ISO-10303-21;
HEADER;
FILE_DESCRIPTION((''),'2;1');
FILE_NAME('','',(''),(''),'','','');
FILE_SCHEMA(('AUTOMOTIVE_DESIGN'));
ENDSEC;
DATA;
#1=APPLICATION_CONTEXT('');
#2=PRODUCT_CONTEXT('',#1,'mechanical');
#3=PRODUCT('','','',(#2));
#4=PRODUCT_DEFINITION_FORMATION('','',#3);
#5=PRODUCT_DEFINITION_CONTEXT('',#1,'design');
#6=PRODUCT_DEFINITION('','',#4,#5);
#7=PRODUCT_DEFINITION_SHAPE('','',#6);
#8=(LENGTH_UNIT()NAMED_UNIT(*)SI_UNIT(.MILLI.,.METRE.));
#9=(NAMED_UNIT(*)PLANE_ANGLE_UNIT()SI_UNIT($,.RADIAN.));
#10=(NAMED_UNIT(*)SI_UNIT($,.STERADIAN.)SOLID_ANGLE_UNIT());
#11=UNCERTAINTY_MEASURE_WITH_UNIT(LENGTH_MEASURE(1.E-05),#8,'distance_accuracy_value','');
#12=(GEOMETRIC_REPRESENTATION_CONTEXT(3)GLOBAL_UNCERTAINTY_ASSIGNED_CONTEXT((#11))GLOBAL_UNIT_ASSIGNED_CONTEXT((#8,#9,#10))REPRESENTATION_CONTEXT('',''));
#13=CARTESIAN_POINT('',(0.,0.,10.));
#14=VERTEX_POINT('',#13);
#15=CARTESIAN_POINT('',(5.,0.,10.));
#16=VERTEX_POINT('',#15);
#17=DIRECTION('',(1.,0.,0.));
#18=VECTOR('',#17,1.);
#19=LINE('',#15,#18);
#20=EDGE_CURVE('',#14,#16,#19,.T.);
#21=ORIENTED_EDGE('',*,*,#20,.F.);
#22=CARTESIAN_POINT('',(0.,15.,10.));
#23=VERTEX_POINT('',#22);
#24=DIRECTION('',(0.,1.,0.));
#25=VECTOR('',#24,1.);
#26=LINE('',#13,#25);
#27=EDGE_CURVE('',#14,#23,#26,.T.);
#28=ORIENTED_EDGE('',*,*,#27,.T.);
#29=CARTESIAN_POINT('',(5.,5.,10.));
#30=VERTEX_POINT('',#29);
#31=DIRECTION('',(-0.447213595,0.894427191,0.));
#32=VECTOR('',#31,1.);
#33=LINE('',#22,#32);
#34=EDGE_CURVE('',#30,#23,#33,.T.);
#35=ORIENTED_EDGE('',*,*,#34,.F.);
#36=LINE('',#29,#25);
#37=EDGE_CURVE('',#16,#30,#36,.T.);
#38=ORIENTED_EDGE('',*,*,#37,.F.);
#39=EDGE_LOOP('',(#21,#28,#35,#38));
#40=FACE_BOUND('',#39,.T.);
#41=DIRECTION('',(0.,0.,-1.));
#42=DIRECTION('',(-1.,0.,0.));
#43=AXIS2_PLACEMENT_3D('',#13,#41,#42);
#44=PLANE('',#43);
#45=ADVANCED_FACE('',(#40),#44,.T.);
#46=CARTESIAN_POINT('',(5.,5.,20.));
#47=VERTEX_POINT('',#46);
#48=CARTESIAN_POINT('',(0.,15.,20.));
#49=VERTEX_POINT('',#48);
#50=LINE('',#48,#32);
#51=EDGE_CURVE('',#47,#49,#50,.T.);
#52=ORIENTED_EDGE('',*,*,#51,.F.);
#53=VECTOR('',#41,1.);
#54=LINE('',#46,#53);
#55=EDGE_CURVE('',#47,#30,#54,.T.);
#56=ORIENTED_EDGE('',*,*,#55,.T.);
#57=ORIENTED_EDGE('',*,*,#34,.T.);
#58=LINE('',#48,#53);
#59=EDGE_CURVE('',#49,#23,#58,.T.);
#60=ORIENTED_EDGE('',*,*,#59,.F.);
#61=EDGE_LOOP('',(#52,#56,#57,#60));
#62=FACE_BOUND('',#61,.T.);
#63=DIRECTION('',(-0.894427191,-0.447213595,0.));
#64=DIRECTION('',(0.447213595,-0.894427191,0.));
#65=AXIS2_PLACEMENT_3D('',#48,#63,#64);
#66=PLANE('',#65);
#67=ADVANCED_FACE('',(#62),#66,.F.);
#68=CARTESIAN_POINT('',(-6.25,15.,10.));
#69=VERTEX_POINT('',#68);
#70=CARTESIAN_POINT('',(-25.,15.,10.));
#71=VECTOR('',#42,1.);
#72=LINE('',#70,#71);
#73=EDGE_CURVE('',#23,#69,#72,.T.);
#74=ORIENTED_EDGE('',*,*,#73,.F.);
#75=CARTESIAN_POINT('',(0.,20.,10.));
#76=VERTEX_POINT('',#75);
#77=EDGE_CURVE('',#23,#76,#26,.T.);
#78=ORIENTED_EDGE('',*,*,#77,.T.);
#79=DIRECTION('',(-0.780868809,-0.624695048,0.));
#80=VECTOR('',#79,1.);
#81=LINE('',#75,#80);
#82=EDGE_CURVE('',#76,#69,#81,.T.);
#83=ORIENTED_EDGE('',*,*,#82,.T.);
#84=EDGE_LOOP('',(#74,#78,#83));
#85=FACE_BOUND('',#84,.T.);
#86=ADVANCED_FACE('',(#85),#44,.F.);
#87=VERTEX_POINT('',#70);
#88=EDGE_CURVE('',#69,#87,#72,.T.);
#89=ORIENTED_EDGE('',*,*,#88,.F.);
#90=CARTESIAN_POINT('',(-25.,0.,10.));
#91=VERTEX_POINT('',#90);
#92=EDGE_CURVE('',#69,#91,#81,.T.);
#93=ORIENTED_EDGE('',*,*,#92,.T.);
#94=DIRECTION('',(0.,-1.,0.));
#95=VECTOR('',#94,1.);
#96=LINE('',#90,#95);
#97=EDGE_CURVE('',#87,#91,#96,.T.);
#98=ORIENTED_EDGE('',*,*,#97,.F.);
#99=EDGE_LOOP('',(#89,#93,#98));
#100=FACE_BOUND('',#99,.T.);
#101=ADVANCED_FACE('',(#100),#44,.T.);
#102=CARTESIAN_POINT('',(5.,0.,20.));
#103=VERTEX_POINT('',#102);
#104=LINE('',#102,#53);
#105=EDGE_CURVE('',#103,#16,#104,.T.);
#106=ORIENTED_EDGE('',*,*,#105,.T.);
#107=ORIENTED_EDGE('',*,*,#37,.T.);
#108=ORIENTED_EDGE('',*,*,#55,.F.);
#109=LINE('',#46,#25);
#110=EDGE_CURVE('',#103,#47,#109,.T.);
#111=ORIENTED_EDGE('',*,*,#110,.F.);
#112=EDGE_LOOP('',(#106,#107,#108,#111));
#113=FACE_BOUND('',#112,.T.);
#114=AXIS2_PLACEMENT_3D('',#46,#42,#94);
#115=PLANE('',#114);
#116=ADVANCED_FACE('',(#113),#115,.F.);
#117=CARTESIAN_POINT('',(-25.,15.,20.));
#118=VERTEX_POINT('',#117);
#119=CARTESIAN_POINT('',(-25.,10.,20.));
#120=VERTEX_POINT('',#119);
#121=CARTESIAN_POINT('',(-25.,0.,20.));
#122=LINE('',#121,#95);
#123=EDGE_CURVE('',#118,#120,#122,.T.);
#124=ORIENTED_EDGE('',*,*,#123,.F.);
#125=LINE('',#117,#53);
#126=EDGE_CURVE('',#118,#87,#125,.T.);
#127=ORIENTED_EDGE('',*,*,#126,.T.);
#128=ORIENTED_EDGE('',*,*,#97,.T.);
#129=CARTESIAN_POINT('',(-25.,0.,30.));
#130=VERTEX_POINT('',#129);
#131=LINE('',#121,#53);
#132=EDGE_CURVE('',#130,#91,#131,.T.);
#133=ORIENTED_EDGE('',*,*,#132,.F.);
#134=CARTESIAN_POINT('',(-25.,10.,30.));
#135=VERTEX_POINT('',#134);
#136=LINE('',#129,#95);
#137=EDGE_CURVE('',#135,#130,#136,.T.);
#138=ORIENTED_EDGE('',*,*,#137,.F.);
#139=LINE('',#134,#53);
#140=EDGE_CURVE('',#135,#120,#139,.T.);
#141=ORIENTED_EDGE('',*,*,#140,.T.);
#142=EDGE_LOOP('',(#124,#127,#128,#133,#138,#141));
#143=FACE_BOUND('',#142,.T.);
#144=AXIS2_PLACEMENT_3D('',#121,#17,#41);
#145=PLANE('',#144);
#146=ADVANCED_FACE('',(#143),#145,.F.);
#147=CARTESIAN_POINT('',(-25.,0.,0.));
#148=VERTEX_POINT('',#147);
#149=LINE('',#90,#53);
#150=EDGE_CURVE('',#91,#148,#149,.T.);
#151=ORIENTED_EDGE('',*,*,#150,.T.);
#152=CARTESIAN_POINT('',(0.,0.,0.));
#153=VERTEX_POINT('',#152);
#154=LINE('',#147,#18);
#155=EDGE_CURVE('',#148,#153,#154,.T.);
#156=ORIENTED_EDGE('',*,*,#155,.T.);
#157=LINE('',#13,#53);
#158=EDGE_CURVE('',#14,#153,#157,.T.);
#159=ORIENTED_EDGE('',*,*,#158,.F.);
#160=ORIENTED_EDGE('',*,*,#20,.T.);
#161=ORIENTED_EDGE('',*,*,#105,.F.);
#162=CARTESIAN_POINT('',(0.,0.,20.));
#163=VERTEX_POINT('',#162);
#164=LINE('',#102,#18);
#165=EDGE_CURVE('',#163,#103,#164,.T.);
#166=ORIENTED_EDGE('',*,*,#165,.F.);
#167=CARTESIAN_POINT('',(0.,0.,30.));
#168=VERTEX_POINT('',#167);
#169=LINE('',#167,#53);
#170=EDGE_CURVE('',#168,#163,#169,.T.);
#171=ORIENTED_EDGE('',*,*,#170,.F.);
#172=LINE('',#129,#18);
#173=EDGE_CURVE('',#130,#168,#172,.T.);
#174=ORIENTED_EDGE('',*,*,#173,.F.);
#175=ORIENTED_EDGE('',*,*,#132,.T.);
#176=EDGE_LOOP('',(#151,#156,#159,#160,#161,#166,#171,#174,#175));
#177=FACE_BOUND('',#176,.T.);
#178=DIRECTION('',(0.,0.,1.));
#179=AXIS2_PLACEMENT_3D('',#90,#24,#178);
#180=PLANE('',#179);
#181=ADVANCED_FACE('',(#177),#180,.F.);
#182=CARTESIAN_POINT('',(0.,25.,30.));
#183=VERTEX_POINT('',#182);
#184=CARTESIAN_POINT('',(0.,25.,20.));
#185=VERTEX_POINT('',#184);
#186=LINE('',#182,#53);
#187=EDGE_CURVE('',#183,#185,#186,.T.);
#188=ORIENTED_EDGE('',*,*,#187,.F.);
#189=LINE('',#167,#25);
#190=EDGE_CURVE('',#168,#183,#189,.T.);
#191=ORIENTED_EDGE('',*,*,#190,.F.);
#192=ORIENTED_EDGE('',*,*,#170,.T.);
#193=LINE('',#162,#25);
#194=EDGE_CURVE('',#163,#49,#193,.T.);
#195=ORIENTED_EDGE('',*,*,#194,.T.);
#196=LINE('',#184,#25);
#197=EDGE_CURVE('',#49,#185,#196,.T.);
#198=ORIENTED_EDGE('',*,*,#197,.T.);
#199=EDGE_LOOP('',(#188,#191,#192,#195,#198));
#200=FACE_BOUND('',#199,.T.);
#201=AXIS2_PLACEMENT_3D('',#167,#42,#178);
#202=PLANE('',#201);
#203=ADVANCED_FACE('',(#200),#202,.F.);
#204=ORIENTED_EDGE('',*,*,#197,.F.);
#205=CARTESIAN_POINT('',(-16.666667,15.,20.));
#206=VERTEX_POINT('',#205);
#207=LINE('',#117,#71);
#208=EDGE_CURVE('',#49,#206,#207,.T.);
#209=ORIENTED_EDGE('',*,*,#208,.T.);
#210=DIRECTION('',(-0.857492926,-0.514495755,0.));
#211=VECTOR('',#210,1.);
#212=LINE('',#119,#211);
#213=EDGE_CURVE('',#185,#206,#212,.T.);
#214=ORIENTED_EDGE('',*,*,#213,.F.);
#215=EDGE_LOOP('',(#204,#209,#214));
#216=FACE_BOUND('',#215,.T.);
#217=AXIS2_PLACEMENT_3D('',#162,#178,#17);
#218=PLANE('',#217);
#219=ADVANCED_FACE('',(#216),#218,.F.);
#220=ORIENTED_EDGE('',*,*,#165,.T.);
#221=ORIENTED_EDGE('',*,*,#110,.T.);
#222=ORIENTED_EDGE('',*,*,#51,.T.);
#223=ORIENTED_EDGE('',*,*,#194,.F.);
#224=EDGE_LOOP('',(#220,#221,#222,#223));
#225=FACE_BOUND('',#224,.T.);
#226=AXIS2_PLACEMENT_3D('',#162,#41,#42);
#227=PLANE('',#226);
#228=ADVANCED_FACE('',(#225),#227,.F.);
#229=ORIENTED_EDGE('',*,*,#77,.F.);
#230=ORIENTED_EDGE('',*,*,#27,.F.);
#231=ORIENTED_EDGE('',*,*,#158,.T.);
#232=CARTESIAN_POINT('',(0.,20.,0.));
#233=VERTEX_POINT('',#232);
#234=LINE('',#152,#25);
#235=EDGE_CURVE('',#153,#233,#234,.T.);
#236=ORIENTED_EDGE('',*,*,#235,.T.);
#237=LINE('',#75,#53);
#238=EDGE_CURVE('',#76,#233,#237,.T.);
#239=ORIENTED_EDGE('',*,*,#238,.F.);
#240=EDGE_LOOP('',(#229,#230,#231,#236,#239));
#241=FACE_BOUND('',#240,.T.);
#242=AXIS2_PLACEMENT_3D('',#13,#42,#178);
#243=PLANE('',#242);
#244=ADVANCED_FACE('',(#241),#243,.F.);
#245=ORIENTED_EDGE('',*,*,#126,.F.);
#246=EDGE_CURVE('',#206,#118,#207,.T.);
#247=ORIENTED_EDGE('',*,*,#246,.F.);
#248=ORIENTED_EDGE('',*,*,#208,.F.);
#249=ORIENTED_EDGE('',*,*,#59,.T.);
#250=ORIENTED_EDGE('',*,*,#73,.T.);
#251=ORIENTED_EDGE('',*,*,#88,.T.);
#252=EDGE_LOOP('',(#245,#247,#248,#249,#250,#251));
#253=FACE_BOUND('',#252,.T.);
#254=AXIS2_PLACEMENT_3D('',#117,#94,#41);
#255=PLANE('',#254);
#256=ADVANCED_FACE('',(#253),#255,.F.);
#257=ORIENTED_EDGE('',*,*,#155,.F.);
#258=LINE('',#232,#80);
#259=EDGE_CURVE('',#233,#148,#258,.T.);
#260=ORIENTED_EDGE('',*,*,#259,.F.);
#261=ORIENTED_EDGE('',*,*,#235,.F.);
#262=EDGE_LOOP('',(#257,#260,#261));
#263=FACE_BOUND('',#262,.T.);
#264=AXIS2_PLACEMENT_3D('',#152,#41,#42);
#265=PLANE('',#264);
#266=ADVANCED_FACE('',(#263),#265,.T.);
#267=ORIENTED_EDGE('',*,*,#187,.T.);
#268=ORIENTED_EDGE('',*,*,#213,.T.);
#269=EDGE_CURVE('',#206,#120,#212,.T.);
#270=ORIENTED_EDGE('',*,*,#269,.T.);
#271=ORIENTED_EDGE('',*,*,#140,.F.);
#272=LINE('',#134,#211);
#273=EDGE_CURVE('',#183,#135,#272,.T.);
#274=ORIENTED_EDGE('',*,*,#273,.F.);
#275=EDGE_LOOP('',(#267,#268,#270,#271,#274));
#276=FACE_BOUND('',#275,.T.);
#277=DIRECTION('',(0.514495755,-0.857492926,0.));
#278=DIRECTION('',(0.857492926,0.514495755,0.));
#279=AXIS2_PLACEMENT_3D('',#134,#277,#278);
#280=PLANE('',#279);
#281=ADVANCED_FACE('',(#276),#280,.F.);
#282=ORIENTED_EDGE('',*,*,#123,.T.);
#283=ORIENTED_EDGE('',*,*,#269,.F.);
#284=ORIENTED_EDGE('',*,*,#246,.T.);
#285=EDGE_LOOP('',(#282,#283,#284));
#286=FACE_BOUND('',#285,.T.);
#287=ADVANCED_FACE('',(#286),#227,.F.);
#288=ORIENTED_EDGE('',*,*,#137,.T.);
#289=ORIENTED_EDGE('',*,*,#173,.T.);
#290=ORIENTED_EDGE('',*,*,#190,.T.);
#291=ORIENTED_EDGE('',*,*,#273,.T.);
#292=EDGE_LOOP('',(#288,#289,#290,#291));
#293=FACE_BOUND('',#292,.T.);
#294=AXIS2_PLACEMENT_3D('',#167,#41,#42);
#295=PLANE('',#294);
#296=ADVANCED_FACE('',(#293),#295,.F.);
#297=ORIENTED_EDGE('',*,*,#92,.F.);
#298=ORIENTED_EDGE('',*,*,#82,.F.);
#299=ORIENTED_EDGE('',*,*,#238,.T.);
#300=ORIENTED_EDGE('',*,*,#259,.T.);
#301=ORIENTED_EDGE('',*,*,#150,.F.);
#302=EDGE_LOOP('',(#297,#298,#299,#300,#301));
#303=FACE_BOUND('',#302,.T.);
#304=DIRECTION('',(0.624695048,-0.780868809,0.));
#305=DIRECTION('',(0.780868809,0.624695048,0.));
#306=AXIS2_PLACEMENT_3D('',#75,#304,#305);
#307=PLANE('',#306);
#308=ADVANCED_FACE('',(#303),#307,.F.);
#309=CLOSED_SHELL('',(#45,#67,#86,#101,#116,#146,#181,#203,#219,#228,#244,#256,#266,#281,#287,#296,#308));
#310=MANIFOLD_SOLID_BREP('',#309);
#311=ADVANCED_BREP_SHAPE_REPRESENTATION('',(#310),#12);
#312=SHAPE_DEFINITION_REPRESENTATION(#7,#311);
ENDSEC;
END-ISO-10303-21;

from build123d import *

# Parameters (mm, degrees)
BOSS_EXTRUDE9_DEPTH  = 10
BOSS_EXTRUDE10_DEPTH = 10
SKETCH8_W            = 25
SKETCH8_H            = 10
BOSS_EXTRUDE11_DEPTH = 10
BOSS_EXTRUDE12_DEPTH = 10


with BuildPart() as part:
    # Sketch1 → Boss-Extrude9 (new body)
    with BuildSketch(Plane.XY):
        Polygon((-25, 0), (0, 0), (0, 20), align=None)
    extrude(amount=BOSS_EXTRUDE9_DEPTH)

    # Sketch7 → Boss-Extrude10 (add)
    with BuildSketch(Plane.XY.offset(10)):
        Polygon((-25, 0), (-25, 15), (0, 15), (5, 5), (5, 0), align=None)
    extrude(amount=BOSS_EXTRUDE10_DEPTH)

    # Sketch8 → Boss-Extrude11 (add)
    with BuildSketch(Plane.XY.offset(20)):
        with Locations((-12.5, 5)):
            Rectangle(SKETCH8_W, SKETCH8_H)
    extrude(amount=BOSS_EXTRUDE11_DEPTH)

    # Sketch9 → Boss-Extrude12 (add)
    with BuildSketch(Plane.XY.offset(20)):
        Polygon((-25, 10), (0, 25), (0, 10), align=None)
    extrude(amount=BOSS_EXTRUDE12_DEPTH)


solid = part.part
